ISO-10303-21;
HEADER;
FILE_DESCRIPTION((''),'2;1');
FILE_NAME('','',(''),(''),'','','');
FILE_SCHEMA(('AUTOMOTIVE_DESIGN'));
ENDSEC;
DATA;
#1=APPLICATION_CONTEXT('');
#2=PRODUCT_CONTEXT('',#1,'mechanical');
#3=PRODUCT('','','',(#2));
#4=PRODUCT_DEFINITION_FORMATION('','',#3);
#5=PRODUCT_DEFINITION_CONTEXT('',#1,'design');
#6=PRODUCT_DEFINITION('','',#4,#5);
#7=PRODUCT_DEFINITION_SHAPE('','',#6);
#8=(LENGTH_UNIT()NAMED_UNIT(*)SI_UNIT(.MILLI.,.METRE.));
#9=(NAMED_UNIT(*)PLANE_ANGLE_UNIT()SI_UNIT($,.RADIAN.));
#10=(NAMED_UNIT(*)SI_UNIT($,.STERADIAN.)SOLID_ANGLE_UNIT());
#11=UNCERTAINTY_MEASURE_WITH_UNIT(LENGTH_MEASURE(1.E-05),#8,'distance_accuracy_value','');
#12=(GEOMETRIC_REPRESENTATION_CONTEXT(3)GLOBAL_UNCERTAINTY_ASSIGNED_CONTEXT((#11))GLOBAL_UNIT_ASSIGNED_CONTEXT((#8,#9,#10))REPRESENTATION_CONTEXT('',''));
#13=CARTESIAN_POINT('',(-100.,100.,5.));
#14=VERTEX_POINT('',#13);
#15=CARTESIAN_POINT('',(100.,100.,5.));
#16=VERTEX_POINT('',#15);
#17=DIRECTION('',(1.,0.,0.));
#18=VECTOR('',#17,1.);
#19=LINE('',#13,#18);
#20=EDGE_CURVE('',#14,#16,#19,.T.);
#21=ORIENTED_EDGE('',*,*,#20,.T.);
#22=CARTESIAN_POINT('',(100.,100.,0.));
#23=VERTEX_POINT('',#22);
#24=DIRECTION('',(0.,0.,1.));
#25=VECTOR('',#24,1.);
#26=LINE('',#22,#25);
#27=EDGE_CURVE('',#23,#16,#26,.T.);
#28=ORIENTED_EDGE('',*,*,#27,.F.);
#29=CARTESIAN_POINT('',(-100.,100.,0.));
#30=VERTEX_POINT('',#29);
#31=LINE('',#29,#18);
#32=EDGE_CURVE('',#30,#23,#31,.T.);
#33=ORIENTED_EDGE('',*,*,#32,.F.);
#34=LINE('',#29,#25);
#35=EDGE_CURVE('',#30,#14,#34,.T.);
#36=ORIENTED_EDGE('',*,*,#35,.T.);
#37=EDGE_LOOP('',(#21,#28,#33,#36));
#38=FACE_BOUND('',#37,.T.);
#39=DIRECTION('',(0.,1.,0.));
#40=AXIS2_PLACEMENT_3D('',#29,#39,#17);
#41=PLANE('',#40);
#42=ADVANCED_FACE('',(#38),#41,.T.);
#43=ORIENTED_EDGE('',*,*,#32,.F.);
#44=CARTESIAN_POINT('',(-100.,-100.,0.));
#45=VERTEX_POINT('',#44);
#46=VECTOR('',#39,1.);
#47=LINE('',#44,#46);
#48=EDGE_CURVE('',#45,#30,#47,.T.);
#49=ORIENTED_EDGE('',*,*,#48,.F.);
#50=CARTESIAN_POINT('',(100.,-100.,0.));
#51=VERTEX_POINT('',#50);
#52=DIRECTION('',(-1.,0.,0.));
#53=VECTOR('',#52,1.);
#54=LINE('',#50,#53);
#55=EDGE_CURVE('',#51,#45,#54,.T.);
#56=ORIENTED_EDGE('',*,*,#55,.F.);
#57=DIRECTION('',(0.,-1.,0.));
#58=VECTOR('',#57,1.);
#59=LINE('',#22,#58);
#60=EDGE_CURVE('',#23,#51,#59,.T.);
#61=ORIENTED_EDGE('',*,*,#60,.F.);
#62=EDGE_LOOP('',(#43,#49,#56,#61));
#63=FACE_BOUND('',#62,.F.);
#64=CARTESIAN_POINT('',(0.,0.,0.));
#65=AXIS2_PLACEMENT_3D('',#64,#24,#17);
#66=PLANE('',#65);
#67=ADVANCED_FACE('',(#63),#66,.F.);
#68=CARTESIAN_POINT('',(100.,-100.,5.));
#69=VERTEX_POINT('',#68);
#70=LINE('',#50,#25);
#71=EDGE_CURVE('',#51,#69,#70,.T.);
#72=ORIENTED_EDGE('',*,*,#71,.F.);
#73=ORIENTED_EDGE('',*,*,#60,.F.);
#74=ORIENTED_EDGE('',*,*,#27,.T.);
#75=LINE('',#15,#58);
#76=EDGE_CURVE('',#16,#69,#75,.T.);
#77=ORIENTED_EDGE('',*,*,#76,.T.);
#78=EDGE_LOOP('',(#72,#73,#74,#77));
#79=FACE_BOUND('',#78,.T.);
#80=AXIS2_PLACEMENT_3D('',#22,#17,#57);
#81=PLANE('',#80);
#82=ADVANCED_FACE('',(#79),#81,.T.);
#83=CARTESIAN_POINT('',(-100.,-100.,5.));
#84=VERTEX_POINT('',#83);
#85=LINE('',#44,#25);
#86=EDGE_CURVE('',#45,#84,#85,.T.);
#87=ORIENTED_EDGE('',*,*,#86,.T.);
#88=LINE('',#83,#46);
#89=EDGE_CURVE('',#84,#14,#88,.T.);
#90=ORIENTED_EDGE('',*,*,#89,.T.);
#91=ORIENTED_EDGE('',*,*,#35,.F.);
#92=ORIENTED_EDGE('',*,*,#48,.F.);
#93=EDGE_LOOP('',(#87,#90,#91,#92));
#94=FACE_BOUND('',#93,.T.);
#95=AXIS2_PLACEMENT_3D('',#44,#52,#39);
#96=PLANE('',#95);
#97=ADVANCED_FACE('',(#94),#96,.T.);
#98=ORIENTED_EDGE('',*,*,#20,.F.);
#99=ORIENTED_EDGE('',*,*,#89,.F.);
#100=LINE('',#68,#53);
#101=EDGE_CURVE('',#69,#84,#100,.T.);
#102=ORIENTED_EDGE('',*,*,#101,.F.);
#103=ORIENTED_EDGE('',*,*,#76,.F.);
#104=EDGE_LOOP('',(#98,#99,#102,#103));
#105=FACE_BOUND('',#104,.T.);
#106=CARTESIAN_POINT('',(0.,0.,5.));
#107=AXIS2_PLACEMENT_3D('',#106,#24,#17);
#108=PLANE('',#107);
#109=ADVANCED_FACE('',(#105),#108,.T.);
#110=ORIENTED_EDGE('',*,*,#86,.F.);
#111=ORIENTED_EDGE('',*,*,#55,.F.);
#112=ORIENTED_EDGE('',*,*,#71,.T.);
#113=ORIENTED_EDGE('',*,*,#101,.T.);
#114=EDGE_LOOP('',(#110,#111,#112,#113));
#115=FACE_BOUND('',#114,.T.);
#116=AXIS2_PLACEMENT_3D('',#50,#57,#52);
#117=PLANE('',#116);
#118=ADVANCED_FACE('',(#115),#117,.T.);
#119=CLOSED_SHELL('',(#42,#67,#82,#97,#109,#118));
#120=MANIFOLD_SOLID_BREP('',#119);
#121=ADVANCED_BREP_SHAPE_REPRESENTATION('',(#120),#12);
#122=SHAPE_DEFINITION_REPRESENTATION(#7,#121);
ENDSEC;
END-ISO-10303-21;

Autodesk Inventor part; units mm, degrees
ref_plane "YZ Plane" through (0, 0, 0) normal (1, 0, 0) x (0, 1, 0)
ref_plane "XZ Plane" through (0, 0, 0) normal (0, 1, 0) x (-1, 0, 0)
ref_plane "XY Plane" through (0, 0, 0) normal (0, 0, 1) x (1, 0, 0)
sketch "Sketch1" plane through (0, 0, 0) normal (0, 0, 1) x (1, 0, 0)
  line L0 (-100, 100) -> (100, 100)
  line L1 (100, 100) -> (100, -100)
  line L2 (100, -100) -> (-100, -100)
  line L3 (-100, -100) -> (-100, 100)
  line L4 (-100, -100) -> (220, -100)
  line L5 (220, -100) -> (220, -570)
  line L6 (220, -570) -> (-100, -570)
  line L7 (-100, -570) -> (-100, -100)
  line L8 (100, 100) -> (220, 100)
  line L9 (220, 100) -> (220, -100)
  line L10 (220, -100) -> (100, -100)
  line L11 (100, -100) -> (100, 100)
  point P0 (0, 0)
  dimension "d0" = 200
  dimension "d1" = 200
  dimension "d2" = 100
  dimension "d3" = 100
  dimension "d6" = 320
  dimension "d7" = 470
extrude "Extrusion1" add sketch "Sketch1" along normal blind 5 contours L0 L1 L2 L3
equation "\"d2\" = 0.5 * d1"
equation "\"d3\" = 0.5 * d0"
properties part number "Piso" material "MDF Medium Density Fiberboard"
